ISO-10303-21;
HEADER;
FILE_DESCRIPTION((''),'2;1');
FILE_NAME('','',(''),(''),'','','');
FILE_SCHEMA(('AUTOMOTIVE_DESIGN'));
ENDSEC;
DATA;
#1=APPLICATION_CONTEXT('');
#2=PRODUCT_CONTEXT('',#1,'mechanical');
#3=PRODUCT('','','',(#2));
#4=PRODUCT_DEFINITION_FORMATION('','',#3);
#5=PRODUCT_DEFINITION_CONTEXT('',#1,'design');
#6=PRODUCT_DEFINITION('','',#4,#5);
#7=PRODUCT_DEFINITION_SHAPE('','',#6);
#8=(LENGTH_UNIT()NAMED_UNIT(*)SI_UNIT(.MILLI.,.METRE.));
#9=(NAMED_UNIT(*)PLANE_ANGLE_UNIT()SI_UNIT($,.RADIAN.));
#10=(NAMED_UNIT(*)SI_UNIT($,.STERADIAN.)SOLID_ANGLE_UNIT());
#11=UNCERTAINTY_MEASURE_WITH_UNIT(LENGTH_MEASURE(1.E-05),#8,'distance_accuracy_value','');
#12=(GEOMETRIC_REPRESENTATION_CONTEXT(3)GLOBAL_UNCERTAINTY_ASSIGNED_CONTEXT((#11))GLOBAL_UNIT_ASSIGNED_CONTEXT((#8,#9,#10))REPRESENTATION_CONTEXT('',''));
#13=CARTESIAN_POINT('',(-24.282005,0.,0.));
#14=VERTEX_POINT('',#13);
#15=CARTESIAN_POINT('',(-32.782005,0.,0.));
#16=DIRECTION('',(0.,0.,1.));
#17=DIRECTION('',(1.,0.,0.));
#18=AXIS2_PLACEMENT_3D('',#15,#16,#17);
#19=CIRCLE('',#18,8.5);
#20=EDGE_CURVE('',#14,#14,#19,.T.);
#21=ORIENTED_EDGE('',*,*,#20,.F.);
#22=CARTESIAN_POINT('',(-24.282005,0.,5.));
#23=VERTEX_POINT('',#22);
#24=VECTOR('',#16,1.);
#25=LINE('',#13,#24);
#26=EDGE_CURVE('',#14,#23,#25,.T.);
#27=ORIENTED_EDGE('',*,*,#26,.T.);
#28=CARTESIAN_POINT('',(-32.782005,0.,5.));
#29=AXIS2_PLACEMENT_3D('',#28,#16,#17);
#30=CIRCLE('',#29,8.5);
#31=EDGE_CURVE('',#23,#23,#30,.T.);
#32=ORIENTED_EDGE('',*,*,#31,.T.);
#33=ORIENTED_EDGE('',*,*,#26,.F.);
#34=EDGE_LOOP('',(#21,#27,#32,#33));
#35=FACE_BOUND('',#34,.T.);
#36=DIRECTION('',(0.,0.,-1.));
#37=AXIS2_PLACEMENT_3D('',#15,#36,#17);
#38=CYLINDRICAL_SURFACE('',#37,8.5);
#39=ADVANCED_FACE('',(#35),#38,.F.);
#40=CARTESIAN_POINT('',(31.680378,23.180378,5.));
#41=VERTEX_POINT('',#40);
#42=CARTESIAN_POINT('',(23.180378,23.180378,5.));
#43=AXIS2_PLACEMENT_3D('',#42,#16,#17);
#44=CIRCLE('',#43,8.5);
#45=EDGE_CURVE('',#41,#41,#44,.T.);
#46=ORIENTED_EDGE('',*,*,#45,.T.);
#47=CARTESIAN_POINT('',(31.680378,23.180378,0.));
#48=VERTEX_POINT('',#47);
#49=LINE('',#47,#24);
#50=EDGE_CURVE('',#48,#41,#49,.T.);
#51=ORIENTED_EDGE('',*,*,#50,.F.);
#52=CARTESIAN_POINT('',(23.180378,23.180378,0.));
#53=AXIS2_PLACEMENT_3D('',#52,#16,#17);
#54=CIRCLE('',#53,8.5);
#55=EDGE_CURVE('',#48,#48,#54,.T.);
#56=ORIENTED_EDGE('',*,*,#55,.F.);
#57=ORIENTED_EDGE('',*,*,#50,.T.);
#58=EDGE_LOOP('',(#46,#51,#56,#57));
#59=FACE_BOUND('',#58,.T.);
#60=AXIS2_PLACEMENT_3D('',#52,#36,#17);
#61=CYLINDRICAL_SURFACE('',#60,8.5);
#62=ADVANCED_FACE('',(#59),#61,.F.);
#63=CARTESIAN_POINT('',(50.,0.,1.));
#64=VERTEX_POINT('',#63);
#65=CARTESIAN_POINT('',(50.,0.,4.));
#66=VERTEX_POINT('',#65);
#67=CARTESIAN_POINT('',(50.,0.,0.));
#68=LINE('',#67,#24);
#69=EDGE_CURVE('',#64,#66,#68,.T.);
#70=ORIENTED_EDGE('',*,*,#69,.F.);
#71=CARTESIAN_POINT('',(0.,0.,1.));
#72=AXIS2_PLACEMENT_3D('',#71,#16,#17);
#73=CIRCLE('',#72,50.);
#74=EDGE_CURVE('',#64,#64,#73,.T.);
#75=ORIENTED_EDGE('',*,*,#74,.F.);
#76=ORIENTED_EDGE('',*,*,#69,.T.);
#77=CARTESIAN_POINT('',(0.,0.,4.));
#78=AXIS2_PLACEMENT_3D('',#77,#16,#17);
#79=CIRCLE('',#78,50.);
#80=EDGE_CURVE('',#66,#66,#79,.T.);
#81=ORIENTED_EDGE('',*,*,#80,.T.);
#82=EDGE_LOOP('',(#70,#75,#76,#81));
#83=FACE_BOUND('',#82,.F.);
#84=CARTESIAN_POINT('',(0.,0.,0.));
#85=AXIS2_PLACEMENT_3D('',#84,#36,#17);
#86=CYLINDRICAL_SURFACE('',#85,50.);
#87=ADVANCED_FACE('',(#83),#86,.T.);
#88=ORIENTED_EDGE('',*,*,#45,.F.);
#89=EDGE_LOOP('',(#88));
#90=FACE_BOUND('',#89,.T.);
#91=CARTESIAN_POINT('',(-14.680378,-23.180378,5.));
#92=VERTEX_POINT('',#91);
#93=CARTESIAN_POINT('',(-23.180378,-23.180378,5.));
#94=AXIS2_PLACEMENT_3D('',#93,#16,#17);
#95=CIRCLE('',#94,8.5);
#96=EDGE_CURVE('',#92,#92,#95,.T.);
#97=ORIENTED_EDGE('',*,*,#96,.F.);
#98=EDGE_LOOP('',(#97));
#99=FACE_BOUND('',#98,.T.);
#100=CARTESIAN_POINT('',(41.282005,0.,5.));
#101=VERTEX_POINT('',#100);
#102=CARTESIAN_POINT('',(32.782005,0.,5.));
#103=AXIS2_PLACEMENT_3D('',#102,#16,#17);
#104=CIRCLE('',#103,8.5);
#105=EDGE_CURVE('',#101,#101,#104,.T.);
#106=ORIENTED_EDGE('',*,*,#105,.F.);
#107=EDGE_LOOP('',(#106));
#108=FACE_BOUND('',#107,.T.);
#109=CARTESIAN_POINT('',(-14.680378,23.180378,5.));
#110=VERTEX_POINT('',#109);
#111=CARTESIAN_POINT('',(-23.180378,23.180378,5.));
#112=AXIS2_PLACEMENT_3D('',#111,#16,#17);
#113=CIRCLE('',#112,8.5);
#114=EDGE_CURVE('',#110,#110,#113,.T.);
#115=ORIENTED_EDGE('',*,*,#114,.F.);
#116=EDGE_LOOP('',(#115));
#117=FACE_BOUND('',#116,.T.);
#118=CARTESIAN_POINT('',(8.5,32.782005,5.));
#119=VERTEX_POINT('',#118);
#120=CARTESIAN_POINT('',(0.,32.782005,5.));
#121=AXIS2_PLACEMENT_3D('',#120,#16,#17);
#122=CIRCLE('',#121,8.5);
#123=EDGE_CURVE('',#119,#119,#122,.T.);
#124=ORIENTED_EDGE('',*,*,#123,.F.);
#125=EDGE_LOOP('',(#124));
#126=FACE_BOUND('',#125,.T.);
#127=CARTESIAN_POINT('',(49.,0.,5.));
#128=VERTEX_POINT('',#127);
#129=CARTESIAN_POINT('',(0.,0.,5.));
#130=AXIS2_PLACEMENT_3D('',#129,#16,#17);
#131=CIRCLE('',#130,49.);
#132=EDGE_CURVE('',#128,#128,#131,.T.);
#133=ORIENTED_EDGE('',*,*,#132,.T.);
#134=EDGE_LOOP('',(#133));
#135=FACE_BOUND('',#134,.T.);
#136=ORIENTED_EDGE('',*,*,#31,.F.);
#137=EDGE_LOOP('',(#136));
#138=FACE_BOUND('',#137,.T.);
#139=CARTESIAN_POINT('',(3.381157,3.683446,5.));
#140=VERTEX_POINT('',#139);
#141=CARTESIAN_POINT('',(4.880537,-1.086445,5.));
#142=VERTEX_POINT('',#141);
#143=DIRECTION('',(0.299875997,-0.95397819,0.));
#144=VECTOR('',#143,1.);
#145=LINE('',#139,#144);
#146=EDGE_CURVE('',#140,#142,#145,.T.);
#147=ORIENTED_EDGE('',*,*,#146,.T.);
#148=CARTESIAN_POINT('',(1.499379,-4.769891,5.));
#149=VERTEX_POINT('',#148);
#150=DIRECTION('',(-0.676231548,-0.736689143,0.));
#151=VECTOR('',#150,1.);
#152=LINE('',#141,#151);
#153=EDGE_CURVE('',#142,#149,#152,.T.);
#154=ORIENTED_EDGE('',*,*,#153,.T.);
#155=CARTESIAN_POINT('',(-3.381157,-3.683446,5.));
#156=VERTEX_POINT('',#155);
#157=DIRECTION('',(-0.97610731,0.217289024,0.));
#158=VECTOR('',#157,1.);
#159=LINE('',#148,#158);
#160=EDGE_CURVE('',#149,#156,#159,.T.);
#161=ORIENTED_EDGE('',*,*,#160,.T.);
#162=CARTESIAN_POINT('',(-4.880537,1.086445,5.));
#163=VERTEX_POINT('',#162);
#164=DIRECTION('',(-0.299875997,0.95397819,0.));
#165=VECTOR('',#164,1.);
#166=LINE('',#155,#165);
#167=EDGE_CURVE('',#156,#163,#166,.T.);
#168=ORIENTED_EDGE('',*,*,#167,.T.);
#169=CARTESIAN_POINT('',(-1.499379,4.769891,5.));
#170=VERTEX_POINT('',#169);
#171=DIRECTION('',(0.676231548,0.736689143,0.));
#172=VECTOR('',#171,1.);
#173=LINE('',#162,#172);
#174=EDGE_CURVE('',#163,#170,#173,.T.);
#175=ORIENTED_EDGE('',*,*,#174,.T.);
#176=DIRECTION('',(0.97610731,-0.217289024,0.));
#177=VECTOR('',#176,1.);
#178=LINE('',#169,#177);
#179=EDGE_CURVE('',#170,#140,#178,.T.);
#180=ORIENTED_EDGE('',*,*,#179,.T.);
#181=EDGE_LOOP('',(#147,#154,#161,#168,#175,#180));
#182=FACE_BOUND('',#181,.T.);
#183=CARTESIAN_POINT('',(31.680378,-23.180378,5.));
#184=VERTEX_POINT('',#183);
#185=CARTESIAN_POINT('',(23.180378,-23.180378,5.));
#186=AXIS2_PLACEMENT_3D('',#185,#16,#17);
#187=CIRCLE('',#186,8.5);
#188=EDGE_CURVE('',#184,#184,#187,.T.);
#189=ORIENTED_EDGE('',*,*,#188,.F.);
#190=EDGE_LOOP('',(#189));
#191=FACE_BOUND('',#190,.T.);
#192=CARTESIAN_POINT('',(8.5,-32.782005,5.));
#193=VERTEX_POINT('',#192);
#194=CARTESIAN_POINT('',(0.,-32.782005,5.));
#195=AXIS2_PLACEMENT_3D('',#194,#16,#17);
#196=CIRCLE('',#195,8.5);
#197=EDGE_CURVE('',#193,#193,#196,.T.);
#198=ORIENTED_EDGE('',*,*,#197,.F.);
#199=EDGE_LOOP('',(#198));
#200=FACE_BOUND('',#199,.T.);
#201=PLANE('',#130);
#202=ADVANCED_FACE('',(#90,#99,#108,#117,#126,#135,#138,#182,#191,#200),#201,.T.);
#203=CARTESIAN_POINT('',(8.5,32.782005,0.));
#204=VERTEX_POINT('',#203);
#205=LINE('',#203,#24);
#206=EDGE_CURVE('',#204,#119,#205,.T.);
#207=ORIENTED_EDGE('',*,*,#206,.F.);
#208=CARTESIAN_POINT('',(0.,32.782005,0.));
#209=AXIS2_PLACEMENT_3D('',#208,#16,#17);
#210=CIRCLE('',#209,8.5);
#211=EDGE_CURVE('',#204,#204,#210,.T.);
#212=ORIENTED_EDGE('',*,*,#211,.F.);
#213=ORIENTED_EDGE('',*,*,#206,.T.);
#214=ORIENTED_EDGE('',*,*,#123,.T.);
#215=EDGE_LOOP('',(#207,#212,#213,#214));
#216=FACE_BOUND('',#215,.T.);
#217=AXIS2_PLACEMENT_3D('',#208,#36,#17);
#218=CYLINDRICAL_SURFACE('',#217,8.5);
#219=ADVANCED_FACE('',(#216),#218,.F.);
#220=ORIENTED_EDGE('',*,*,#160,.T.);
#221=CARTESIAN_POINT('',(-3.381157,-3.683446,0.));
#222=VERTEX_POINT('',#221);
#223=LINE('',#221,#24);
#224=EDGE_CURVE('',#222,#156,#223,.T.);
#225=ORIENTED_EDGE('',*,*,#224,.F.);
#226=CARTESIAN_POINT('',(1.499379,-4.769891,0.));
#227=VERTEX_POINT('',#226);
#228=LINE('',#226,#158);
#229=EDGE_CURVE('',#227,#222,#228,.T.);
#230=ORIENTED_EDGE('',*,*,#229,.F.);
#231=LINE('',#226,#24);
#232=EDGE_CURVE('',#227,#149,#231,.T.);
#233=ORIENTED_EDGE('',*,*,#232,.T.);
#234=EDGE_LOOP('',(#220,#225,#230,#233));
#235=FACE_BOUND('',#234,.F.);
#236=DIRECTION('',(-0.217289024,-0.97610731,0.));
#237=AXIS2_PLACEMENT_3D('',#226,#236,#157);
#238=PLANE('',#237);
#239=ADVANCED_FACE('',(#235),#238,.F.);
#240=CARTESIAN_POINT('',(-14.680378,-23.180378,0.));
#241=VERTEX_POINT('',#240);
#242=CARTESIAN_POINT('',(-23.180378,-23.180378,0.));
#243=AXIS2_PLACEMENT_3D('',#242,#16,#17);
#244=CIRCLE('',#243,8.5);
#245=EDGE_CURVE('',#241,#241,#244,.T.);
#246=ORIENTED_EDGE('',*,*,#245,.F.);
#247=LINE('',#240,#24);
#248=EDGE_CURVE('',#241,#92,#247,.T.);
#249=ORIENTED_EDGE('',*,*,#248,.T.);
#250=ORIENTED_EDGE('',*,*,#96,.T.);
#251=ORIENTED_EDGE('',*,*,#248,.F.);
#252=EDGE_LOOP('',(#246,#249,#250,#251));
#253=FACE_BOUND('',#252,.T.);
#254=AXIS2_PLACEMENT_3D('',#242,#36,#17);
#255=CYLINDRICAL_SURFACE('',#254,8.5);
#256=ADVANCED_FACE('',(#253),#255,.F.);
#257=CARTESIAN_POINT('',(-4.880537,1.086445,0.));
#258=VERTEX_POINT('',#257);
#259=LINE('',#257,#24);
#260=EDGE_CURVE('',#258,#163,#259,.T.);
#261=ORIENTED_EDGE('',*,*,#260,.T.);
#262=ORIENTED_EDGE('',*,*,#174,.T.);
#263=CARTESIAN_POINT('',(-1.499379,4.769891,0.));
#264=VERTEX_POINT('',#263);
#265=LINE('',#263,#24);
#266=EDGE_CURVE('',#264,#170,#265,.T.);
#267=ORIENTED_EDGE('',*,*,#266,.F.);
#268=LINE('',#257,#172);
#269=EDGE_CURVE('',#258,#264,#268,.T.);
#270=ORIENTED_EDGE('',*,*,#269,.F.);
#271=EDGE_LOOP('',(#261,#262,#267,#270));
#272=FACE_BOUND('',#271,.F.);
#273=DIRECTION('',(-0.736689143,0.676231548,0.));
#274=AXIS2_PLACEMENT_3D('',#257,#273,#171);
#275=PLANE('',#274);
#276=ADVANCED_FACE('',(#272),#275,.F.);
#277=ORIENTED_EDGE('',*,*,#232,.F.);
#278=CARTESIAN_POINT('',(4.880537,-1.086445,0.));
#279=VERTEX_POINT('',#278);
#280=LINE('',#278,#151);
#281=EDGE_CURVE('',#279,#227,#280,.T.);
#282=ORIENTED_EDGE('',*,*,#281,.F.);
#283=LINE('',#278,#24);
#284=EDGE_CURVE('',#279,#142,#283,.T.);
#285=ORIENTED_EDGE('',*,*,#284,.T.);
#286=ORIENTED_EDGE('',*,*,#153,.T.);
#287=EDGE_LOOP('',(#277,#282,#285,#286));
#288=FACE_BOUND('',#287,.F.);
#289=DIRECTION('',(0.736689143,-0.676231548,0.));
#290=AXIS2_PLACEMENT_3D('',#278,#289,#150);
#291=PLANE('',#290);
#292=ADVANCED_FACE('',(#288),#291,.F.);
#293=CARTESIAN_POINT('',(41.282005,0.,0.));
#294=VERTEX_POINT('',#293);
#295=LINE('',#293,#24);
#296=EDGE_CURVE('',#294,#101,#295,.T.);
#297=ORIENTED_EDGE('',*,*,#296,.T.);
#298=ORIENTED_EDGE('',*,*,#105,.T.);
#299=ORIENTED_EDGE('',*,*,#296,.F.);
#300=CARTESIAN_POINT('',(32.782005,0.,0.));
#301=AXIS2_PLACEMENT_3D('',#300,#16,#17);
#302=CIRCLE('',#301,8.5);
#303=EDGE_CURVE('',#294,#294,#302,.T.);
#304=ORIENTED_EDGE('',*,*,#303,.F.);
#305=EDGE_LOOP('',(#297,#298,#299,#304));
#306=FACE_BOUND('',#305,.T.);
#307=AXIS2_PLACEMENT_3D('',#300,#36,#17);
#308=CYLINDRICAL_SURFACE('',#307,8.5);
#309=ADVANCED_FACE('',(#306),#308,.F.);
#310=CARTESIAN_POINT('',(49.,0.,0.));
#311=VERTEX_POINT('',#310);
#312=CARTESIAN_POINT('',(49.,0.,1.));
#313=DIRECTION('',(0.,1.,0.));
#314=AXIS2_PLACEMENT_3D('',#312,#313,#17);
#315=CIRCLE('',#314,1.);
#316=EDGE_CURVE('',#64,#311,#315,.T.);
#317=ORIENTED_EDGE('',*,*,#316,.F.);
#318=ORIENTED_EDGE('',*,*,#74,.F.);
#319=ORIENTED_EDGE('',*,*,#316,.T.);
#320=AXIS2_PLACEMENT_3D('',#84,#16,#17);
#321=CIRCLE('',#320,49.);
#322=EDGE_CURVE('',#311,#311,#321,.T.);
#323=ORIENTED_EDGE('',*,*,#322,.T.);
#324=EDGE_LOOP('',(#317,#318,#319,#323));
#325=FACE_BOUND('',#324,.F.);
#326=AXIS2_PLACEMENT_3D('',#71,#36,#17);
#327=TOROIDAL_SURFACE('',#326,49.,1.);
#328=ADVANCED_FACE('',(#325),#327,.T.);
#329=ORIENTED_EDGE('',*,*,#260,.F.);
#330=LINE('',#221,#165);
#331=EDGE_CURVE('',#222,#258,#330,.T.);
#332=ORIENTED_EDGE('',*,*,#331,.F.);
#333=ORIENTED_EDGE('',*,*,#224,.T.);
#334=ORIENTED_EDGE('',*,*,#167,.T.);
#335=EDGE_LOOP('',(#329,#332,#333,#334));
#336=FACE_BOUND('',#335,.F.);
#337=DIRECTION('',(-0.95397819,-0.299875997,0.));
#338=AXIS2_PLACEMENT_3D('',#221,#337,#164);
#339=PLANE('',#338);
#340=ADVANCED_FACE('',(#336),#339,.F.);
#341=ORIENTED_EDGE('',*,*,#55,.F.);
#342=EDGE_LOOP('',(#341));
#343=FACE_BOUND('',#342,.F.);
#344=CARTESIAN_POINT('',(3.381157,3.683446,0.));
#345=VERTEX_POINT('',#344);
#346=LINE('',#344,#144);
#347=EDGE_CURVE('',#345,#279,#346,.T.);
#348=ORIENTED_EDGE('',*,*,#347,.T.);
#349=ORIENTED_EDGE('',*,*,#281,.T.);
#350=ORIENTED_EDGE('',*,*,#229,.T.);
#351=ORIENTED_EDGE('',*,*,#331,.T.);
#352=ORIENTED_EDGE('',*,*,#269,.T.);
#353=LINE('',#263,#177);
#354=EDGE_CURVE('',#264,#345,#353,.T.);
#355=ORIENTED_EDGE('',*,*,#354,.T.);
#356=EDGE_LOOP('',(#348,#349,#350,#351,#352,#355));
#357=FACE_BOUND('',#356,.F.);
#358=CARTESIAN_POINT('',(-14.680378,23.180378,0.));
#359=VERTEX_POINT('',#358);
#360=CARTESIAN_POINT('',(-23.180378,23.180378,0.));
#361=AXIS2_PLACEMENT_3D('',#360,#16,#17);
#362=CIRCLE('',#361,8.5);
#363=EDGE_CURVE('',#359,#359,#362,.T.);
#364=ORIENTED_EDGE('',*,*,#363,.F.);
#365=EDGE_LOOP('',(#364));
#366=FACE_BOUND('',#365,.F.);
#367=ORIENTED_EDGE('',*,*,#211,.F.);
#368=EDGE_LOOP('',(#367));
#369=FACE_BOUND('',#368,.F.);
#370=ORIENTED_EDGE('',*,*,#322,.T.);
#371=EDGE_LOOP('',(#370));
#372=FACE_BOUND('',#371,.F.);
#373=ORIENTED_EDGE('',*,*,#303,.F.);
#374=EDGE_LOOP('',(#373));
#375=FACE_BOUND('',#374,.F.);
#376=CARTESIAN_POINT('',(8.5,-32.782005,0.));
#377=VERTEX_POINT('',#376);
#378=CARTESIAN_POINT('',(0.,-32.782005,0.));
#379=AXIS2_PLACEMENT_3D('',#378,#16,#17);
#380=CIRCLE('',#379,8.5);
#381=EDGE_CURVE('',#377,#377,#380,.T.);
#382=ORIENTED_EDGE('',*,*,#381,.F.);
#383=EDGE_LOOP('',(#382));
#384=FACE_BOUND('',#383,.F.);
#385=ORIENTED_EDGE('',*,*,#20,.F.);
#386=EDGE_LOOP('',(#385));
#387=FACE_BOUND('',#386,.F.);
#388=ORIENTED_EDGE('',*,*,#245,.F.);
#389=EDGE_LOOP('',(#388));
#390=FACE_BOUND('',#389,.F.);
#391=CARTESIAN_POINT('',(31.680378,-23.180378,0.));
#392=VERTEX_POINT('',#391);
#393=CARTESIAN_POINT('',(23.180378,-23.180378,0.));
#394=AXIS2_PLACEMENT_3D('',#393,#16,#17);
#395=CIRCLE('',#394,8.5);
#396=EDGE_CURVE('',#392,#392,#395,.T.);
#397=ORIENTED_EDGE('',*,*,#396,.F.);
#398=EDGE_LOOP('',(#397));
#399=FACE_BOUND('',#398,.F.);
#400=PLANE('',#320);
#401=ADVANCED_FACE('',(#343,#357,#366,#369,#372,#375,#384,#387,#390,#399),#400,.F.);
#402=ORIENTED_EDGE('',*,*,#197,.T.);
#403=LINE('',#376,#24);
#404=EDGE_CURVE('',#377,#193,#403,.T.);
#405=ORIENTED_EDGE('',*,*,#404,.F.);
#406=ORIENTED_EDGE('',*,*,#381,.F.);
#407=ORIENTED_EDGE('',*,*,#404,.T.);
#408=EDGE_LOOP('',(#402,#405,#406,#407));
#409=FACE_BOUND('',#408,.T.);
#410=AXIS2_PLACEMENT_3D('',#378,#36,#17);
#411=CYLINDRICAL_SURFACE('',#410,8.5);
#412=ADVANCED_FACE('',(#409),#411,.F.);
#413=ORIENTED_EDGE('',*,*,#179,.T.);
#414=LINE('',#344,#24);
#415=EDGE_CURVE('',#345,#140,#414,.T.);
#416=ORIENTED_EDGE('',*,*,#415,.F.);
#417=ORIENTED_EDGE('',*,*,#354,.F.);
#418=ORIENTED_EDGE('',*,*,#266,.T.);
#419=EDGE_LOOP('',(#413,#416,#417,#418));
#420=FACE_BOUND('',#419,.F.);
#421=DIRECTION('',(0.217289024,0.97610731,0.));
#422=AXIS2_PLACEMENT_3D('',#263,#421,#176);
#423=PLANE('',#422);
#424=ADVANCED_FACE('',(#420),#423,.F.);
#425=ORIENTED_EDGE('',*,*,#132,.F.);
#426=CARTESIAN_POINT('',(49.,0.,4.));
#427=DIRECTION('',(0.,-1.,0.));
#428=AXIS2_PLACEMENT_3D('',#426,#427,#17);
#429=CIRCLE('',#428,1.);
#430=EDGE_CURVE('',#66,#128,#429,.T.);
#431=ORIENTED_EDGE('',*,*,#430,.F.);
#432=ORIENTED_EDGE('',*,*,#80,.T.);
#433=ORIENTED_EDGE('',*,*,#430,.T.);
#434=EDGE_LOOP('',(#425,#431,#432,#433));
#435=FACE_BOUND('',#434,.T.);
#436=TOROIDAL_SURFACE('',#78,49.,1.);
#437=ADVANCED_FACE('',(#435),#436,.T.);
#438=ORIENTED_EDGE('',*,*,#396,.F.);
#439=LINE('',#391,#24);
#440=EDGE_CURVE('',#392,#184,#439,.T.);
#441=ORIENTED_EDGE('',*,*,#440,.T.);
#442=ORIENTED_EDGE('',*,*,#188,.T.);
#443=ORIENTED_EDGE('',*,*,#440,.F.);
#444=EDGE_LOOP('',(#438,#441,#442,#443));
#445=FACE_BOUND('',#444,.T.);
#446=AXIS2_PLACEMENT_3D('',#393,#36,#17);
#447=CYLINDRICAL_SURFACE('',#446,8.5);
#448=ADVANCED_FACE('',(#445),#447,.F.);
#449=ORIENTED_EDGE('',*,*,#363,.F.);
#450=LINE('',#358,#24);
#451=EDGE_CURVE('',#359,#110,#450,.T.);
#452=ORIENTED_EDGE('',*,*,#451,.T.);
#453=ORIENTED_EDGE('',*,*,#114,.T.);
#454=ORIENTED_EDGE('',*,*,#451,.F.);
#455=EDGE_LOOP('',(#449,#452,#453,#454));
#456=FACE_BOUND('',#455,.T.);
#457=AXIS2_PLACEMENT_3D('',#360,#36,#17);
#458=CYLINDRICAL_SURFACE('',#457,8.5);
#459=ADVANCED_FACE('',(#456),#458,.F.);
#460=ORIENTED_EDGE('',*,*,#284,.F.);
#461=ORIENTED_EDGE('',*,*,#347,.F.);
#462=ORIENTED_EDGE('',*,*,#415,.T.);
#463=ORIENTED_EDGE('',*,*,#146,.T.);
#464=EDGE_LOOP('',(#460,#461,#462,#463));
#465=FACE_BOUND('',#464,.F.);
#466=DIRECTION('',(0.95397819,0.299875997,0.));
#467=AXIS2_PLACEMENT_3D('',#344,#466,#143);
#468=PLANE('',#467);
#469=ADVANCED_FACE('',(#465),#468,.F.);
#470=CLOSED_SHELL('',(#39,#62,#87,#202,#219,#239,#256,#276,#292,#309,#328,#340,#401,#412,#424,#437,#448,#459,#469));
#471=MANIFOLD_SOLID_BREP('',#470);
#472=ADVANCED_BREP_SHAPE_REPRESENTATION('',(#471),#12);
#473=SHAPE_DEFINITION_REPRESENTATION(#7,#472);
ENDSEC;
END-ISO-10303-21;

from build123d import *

# Parameters (mm, degrees)
F0_R     = 50
F0_R_2   = 8.5
F1_DEPTH = 5
F2_R     = 1


with BuildPart() as f1:
    # F0 (on Top) → F1 (new body)
    with BuildSketch(Plane.XY):
        Circle(F0_R)
        with Locations((-23.180378, -23.180378)):
            Circle(F0_R_2, mode=Mode.SUBTRACT)
        with Locations((0, -32.782005)):
            Circle(F0_R_2, mode=Mode.SUBTRACT)
        with Locations((23.180378, -23.180378)):
            Circle(F0_R_2, mode=Mode.SUBTRACT)
        with Locations((-32.782005, 0)):
            Circle(F0_R_2, mode=Mode.SUBTRACT)
        with Locations((-23.180378, 23.180378)):
            Circle(F0_R_2, mode=Mode.SUBTRACT)
        Polygon((3.381157, 3.683446), (4.880537, -1.086445), (1.499379, -4.769891), (-3.381157, -3.683446), (-4.880537, 1.086445), (-1.499379, 4.769891), align=None, mode=Mode.SUBTRACT)
        with Locations((23.180378, 23.180378)):
            Circle(F0_R_2, mode=Mode.SUBTRACT)
        with Locations((32.782005, 0)):
            Circle(F0_R_2, mode=Mode.SUBTRACT)
        with Locations((0, 32.782005)):
            Circle(F0_R_2, mode=Mode.SUBTRACT)
    extrude(amount=F1_DEPTH)

    # F2
    f2_edges = [f1.edges().sort_by_distance(p)[0] for p in [
        (-50, 0, 5),
        (-50, 0, 0),
    ]]
    fillet(f2_edges, radius=F2_R)


solid = f1.part
